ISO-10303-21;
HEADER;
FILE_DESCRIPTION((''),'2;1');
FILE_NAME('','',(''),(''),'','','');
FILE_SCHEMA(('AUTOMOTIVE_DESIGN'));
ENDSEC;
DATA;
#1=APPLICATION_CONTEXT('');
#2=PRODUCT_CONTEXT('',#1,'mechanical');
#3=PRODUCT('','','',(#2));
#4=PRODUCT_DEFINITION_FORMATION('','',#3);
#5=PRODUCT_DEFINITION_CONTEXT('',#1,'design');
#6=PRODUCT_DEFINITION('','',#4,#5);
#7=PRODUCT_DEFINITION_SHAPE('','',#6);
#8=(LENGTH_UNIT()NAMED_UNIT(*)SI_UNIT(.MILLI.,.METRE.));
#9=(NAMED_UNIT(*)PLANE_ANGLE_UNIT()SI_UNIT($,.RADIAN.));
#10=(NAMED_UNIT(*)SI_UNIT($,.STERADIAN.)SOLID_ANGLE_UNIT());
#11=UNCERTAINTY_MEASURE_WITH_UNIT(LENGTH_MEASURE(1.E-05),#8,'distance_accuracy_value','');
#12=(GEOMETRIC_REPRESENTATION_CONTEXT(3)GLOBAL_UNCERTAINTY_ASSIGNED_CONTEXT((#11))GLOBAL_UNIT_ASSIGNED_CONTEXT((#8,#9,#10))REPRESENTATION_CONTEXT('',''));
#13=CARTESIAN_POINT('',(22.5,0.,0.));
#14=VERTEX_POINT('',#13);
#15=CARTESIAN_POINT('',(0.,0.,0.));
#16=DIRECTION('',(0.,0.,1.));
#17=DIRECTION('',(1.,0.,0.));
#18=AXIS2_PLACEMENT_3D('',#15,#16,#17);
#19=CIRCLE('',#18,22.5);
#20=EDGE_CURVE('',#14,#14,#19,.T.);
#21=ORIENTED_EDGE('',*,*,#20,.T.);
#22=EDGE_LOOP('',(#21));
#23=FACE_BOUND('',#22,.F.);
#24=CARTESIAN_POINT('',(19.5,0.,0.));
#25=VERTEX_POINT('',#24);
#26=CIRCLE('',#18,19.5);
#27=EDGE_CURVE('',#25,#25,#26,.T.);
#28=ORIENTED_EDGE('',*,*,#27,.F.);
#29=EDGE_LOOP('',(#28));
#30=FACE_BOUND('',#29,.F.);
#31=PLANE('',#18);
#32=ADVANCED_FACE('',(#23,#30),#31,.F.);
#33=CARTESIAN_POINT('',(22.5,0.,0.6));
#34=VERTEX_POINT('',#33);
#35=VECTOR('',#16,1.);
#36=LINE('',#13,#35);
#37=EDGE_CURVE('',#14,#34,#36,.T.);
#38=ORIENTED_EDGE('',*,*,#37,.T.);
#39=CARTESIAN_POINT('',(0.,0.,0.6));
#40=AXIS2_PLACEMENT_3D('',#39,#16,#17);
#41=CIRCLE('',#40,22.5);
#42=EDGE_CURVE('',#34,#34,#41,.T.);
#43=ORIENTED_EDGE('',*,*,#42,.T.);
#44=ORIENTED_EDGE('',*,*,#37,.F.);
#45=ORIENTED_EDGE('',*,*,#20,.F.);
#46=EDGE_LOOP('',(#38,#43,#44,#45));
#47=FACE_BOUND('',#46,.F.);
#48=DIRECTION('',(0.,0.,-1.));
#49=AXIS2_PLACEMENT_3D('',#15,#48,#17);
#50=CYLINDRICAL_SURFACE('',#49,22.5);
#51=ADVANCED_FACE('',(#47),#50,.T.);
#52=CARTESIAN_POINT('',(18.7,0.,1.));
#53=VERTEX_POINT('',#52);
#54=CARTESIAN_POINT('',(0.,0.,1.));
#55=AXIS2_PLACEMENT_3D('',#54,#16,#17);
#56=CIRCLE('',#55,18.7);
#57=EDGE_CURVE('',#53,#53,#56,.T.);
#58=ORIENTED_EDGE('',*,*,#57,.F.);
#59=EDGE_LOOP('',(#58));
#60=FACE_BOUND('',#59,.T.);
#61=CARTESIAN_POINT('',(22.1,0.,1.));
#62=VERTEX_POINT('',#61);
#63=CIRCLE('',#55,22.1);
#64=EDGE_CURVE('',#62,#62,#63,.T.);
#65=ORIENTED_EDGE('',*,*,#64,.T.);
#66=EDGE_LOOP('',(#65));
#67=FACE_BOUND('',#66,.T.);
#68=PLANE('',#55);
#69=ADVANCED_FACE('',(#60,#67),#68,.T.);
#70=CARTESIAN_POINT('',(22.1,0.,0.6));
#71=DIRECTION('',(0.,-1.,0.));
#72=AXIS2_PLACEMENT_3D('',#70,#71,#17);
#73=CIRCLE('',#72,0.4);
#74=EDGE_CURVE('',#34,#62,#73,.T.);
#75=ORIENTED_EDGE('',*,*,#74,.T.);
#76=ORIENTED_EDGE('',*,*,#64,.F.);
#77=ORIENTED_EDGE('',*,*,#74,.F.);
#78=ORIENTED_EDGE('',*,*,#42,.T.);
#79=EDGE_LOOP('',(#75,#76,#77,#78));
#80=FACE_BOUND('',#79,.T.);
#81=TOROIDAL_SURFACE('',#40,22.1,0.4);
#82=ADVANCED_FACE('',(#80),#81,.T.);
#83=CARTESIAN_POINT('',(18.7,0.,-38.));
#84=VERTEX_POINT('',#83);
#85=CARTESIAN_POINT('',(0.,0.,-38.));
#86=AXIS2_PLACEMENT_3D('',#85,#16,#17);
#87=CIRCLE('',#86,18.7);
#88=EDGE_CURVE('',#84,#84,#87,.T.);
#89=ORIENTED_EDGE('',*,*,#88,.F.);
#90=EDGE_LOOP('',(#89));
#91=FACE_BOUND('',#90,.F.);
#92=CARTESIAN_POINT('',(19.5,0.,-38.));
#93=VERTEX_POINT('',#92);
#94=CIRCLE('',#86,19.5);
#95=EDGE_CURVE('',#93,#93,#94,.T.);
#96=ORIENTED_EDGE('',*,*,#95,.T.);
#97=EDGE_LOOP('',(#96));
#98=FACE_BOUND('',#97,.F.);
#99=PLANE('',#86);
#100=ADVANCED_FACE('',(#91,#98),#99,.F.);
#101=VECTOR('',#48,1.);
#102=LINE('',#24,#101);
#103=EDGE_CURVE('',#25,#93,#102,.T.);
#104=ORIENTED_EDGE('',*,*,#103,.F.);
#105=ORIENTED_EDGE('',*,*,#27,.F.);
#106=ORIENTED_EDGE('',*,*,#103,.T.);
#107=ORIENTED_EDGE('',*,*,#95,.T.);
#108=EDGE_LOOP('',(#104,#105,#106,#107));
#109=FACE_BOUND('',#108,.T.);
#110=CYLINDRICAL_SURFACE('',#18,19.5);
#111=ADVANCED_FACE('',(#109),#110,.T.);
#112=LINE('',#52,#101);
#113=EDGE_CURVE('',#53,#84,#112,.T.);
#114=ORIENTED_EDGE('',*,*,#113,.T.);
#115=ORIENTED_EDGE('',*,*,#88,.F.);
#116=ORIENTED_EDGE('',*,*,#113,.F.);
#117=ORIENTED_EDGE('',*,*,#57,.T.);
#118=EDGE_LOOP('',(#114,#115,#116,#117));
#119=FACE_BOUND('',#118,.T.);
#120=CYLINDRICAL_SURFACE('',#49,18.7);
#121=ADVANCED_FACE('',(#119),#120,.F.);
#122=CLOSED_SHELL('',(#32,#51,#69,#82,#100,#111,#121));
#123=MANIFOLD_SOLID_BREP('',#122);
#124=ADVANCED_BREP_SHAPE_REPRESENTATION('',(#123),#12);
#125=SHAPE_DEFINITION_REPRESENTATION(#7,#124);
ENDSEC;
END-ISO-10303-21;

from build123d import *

# Parameters (mm, degrees)
F0_R     = 19.5
F0_R_2   = 18.7
F1_DEPTH = 38
F0_R_3   = 22.5
F2_DEPTH = 1
F3_R     = 0.4


with BuildPart() as f1:
    # F0 (on Top) → F1 (new body)
    with BuildSketch(Plane.XY):
        Circle(F0_R)
        Circle(F0_R_2, mode=Mode.SUBTRACT)
    extrude(amount=-F1_DEPTH)

    # F0 (on Top) → F2 (join)
    with BuildSketch(Plane.XY):
        Circle(F0_R_3)
        Circle(F0_R, mode=Mode.SUBTRACT)
        Circle(F0_R)
        Circle(F0_R_2, mode=Mode.SUBTRACT)
    extrude(amount=F2_DEPTH)

    # F3
    f3_edges = [f1.edges().sort_by_distance(p)[0] for p in [
        (-22.5, 0, 1),
    ]]
    fillet(f3_edges, radius=F3_R)


solid = f1.part
